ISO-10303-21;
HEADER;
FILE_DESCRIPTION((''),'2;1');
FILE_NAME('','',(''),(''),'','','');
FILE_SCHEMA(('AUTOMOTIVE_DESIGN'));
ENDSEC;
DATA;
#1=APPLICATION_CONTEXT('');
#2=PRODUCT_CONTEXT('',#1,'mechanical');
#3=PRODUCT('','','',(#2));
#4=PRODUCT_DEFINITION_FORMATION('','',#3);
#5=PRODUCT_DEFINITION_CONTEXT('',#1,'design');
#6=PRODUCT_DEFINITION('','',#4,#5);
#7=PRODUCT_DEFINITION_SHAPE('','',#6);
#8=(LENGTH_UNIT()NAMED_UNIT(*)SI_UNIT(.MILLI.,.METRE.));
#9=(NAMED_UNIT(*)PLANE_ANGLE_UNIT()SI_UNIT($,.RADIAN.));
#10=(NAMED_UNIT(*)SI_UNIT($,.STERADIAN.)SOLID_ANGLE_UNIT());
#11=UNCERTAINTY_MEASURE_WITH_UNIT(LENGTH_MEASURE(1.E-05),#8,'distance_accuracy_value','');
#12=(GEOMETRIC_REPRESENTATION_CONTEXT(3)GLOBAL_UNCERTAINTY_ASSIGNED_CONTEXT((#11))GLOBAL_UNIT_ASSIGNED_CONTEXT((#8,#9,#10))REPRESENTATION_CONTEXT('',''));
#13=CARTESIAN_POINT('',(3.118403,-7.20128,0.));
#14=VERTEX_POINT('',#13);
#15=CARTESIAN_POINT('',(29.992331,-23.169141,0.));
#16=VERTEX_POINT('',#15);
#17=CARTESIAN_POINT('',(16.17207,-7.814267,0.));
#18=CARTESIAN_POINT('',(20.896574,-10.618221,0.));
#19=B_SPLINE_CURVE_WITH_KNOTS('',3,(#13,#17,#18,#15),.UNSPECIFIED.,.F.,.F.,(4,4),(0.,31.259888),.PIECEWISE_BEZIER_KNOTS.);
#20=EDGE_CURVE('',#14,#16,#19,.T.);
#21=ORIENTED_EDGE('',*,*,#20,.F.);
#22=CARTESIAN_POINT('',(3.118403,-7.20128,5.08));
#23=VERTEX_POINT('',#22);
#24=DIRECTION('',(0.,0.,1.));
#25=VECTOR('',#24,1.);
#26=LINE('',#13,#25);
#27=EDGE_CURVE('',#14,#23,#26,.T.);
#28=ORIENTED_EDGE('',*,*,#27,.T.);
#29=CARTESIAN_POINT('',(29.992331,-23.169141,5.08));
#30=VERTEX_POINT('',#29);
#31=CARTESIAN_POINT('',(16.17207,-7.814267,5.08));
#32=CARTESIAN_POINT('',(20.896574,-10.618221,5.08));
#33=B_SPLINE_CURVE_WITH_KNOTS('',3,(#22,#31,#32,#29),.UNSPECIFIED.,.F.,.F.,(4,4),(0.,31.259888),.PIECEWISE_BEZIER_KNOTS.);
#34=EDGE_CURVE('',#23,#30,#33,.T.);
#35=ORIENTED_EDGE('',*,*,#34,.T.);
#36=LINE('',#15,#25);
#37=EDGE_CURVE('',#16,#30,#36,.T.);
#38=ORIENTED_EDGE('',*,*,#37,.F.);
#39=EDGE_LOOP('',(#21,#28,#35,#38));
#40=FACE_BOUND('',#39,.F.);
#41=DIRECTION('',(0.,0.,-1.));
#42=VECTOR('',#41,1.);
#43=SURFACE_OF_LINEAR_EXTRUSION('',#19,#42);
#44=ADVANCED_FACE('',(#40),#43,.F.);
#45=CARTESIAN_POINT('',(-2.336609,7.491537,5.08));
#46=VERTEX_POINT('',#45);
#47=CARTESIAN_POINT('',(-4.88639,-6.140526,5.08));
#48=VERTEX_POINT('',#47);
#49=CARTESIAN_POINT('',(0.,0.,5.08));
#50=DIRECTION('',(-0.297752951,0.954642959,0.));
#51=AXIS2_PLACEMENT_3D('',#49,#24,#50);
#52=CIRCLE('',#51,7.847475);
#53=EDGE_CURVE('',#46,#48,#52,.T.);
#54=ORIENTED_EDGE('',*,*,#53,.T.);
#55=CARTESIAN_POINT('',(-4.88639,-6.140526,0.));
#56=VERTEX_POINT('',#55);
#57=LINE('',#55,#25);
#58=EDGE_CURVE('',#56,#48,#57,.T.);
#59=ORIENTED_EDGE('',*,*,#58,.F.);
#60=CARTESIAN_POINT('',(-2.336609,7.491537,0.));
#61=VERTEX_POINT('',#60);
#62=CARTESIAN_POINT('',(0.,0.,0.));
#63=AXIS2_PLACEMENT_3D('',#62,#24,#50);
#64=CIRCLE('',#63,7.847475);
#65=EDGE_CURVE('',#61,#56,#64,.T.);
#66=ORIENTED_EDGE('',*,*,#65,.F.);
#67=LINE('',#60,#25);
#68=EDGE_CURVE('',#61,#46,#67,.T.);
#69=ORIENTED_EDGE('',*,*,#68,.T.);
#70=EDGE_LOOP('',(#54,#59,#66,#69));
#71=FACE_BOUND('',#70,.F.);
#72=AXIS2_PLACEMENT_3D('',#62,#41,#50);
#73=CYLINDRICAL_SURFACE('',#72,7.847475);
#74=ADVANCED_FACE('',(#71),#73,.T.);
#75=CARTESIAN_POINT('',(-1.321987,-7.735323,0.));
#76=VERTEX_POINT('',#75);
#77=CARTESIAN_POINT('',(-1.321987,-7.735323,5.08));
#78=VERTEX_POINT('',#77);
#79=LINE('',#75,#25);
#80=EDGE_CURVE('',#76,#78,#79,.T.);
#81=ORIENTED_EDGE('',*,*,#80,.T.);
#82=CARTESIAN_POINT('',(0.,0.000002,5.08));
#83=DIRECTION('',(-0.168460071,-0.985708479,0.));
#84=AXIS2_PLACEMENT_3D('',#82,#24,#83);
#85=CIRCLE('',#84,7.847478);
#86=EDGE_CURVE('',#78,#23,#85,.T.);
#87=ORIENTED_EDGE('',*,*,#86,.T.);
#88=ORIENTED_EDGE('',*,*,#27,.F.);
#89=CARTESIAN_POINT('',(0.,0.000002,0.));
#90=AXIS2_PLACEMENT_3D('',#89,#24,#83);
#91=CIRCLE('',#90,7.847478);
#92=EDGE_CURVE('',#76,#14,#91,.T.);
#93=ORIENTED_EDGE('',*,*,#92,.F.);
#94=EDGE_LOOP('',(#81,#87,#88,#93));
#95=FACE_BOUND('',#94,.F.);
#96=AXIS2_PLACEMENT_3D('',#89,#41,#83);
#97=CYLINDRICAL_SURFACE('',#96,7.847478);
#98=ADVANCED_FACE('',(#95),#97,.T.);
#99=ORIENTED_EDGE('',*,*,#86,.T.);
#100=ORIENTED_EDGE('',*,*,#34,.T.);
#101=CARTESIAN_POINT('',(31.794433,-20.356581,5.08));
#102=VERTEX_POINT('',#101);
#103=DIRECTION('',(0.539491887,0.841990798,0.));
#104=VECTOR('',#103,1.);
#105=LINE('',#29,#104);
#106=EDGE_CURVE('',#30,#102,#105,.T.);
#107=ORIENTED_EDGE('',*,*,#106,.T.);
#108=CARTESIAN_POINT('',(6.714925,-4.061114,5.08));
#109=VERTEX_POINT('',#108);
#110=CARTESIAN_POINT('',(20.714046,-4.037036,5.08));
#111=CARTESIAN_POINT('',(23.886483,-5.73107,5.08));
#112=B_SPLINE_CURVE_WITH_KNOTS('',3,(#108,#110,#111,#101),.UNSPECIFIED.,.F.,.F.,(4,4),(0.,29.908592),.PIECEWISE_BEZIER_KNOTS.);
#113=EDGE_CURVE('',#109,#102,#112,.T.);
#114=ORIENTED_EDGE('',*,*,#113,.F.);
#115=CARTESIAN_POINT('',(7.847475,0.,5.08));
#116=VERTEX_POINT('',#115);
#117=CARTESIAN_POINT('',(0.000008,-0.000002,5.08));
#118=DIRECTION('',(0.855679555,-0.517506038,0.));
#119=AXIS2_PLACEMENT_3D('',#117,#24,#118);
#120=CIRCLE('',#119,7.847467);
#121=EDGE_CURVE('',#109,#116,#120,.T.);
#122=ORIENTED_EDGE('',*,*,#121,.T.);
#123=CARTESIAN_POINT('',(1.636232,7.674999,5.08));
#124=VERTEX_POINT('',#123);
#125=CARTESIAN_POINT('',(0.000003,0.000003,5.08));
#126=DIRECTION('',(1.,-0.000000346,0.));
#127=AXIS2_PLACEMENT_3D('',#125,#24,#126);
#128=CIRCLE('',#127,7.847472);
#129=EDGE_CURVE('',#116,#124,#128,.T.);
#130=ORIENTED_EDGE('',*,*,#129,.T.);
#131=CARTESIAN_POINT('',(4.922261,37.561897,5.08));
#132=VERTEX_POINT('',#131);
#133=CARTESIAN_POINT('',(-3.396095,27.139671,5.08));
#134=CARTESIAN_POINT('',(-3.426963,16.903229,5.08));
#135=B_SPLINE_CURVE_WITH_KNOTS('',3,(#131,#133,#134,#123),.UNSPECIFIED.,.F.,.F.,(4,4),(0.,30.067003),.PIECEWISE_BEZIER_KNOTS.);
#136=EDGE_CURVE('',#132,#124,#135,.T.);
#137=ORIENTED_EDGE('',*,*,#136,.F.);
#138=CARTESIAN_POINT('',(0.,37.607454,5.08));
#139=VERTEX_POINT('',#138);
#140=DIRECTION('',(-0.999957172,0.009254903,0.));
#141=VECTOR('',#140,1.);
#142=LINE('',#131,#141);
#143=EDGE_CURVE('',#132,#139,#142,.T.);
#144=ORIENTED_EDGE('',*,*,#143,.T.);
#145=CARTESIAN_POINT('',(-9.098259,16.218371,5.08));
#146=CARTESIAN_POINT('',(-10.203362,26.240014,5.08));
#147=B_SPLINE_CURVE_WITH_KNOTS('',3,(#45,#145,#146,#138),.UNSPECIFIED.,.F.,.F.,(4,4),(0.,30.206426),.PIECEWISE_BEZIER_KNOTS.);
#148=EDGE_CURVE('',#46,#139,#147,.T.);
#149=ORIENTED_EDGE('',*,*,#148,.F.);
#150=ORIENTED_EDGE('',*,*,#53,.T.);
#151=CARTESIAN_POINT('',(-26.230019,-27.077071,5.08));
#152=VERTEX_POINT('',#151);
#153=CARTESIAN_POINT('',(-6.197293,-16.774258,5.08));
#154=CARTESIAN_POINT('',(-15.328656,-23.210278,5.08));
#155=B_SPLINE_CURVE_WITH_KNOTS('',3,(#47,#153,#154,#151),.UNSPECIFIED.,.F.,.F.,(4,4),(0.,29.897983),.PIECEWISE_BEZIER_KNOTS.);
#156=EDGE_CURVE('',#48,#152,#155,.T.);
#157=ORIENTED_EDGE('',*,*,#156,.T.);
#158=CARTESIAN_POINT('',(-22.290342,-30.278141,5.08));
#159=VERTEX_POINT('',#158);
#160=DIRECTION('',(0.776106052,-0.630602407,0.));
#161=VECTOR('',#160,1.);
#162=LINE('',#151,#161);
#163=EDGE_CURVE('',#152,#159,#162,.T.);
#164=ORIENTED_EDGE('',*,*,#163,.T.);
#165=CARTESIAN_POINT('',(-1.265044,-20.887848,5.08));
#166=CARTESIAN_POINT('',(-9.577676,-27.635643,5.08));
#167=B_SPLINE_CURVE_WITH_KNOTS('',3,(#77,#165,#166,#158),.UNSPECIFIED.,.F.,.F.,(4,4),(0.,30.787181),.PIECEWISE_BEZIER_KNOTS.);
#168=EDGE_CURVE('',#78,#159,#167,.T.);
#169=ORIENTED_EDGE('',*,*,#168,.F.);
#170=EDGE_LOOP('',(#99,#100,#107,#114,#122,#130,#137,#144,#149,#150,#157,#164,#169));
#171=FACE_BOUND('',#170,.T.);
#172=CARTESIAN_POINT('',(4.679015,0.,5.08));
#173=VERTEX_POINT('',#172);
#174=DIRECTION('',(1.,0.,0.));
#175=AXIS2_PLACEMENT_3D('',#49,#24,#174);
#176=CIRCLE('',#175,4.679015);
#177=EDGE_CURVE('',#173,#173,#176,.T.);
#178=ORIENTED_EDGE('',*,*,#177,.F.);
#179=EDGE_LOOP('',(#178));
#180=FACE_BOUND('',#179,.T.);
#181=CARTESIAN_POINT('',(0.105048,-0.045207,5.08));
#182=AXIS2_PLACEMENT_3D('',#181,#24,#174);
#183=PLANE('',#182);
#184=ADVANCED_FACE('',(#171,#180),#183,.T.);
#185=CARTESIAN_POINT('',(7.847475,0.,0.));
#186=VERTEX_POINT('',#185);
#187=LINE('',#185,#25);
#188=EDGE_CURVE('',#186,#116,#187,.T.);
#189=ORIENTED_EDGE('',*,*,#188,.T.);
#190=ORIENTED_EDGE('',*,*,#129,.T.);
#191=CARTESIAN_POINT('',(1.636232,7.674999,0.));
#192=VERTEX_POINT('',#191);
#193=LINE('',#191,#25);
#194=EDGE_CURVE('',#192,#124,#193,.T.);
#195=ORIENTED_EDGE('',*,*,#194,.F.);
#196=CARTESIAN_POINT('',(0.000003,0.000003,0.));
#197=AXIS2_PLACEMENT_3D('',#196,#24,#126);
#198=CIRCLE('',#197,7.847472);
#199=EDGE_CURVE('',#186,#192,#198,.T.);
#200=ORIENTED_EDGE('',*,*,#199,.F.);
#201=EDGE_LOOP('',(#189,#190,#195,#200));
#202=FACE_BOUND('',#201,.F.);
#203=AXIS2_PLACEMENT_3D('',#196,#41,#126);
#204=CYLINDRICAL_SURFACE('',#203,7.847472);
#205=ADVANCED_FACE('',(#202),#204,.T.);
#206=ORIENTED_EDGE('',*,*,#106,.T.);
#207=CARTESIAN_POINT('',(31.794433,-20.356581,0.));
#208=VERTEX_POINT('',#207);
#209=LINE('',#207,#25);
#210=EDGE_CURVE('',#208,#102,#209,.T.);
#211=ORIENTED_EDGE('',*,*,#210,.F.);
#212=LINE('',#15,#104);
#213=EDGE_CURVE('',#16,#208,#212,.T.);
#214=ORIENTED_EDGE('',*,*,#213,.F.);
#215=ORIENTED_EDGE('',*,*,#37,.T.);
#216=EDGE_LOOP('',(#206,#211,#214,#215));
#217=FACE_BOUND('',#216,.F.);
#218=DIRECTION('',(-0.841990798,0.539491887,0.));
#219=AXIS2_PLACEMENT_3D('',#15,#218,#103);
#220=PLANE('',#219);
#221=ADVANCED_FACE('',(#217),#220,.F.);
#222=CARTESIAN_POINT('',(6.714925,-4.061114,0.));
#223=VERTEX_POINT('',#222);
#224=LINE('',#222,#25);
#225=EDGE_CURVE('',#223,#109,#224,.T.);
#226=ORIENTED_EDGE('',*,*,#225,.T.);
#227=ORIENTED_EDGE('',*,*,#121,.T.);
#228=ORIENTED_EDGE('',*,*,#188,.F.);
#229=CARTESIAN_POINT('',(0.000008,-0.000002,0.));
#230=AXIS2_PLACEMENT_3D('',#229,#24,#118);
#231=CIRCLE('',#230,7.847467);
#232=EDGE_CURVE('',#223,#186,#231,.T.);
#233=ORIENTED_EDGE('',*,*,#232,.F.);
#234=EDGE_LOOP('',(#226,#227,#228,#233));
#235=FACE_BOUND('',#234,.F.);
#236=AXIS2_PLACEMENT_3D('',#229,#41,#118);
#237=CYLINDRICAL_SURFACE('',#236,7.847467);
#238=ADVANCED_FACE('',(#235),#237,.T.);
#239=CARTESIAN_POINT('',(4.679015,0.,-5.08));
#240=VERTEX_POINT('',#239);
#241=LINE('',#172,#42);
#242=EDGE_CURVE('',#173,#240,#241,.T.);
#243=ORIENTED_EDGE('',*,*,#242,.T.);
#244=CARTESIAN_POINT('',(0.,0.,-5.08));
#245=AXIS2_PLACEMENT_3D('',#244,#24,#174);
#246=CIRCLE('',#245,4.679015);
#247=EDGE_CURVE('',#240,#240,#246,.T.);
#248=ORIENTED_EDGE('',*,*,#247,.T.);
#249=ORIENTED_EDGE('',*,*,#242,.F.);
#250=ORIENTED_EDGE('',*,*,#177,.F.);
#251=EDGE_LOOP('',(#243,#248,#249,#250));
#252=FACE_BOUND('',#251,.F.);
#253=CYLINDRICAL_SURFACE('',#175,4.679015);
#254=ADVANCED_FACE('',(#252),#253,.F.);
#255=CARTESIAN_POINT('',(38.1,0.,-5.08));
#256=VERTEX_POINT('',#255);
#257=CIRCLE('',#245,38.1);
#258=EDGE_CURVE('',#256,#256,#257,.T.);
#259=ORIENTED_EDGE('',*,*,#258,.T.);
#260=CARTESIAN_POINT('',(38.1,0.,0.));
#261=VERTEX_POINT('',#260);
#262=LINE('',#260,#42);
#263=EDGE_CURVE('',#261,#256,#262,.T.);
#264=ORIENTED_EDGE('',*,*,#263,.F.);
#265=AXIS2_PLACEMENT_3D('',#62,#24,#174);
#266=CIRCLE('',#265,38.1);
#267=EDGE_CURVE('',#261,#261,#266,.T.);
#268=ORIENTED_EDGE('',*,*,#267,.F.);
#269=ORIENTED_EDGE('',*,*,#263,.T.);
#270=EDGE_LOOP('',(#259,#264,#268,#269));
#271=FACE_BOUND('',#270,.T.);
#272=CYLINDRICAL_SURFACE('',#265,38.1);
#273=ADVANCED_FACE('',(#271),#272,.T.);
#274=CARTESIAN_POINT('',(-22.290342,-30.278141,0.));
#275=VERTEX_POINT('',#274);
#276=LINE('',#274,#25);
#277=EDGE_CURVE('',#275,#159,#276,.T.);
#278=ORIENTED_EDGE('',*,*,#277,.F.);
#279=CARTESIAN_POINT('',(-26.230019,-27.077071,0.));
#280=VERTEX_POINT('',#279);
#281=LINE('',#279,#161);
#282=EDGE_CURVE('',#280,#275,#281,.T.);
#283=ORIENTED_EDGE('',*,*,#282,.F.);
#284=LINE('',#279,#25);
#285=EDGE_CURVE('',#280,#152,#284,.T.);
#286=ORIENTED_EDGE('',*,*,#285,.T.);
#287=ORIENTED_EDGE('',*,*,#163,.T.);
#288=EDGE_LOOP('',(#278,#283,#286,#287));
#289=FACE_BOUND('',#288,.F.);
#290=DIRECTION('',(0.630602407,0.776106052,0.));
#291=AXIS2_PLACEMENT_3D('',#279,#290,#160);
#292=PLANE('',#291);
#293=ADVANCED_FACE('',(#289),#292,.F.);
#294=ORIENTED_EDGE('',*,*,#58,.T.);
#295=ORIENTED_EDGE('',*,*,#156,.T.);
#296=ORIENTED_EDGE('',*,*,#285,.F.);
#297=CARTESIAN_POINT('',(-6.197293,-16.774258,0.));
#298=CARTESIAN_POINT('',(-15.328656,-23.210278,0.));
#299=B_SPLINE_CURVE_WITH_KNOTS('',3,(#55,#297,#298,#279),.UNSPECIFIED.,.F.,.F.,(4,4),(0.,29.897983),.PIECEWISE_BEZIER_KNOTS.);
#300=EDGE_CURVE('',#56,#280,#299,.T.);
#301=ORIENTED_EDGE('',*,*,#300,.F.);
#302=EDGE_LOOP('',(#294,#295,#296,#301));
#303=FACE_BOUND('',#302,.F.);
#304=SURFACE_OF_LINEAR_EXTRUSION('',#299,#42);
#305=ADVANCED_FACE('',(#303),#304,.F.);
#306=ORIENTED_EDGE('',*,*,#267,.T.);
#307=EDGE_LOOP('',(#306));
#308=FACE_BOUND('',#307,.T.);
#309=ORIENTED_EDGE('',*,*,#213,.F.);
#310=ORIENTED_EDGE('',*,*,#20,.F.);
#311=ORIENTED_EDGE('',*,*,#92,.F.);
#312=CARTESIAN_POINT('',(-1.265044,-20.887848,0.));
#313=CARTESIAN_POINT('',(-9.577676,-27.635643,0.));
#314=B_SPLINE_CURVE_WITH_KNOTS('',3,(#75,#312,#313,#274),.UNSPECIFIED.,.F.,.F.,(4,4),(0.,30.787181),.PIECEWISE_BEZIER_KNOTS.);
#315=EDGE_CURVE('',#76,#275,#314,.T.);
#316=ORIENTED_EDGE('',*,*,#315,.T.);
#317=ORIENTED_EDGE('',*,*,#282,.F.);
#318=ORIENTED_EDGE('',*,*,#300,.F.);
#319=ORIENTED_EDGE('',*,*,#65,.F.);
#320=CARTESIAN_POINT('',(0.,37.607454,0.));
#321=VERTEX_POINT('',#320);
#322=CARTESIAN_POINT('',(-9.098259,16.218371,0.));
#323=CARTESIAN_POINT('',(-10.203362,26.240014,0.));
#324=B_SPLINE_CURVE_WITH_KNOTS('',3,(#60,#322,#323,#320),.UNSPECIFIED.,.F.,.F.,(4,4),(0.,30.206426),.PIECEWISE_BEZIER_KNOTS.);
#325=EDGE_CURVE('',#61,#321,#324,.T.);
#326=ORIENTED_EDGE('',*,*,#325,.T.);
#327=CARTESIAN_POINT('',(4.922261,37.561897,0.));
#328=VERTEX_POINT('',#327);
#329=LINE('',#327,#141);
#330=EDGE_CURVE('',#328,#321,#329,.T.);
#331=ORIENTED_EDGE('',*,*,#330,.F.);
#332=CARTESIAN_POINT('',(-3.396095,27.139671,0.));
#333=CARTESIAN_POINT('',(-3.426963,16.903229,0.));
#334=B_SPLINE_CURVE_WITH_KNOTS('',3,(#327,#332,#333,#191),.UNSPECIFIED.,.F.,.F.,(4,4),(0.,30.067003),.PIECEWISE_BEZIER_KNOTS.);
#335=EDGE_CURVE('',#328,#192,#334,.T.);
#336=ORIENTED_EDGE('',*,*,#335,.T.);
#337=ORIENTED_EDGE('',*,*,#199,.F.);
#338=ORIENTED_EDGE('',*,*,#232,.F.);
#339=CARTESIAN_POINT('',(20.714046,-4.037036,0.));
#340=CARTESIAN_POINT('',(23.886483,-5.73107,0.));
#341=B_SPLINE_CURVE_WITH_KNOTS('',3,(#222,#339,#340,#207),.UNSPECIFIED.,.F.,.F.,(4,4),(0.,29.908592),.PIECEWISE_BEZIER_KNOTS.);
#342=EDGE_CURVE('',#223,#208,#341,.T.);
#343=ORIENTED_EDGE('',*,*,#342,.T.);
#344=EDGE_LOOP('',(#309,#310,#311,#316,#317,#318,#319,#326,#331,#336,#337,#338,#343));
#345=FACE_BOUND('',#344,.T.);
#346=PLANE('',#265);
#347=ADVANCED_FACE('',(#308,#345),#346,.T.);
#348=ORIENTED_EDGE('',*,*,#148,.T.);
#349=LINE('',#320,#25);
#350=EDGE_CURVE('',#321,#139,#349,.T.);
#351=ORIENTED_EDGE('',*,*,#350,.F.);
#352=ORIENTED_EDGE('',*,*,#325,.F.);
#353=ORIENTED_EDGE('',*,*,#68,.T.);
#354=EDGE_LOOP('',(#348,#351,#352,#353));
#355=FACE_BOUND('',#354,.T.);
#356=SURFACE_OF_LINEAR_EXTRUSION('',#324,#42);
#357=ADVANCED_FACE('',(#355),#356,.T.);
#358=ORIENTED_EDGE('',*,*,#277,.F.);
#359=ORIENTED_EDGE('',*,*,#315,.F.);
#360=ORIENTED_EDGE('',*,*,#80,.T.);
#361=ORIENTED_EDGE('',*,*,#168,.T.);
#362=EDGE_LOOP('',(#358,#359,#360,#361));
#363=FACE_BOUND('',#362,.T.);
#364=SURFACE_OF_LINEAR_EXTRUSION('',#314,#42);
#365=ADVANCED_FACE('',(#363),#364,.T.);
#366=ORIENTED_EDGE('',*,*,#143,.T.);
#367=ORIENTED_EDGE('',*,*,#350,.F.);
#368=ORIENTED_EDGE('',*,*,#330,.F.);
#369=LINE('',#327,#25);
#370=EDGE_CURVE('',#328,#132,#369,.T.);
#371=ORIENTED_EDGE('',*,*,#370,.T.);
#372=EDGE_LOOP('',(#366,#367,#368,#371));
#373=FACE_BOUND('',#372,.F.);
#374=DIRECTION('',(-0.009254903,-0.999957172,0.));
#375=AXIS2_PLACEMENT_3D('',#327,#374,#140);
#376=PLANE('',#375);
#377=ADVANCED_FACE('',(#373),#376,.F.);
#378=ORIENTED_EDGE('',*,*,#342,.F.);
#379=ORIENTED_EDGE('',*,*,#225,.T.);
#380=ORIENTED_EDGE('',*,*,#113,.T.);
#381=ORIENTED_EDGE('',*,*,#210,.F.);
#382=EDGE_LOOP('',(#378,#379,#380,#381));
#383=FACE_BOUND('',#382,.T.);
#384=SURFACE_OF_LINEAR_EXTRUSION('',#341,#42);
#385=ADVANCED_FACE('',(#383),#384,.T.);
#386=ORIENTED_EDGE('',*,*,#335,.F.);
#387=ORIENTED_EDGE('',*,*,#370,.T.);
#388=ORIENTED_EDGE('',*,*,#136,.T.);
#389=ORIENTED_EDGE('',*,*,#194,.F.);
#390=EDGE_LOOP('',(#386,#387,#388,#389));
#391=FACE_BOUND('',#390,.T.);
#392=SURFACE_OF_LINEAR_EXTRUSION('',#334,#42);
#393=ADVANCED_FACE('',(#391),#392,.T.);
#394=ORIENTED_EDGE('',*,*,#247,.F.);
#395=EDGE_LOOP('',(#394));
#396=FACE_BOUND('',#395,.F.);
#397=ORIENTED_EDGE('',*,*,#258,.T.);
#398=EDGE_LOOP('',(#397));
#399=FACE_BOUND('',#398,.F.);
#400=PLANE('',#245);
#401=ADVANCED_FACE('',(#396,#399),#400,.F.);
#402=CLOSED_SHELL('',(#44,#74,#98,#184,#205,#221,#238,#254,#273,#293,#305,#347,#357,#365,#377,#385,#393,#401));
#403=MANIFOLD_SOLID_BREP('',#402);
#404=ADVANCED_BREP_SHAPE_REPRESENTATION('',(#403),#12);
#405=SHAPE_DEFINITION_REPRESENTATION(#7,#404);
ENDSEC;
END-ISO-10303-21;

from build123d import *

# Parameters (mm, degrees)
F0_R     = 38.1
F1_DEPTH = 5.08
F3_DEPTH = 5.08
F4_R     = 4.679015
F5_DEPTH = 25.4


with BuildPart() as f1:
    # F0 (on Top) → F1 (new body)
    with BuildSketch(Plane.XY):
        Circle(F0_R)
    extrude(amount=-F1_DEPTH)

    # F2 (on Top) → F3 (join)
    with BuildSketch(Plane.XY):
        with BuildLine():
            ThreePointArc((6.714925, -4.061114), (7.559037, -2.108039), (7.847475, 0))
            ThreePointArc((7.847475, 0), (6.10013, 4.936729), (1.636232, 7.674999))
            ThreePointArc((1.636232, 7.674999), (-0.362003, 7.839121), (-2.336609, 7.491537))
            ThreePointArc((-2.336609, 7.491537), (-7.713703, 1.442794), (-4.88639, -6.140526))
            ThreePointArc((-4.88639, -6.140526), (-3.20497, -7.163173), (-1.321987, -7.735323))
            ThreePointArc((-1.321987, -7.735323), (0.937058, -7.791328), (3.118403, -7.20128))
            ThreePointArc((3.118403, -7.20128), (5.161274, -5.911356), (6.714925, -4.061114))
        make_face()
        with BuildLine():
            ThreePointArc((-2.336609, 7.491537), (-0.362003, 7.839121), (1.636232, 7.674999))
            add(Edge.make_bspline(
                [(4.922261, 37.561897), (-3.396095, 27.139671), (-3.426963, 16.903229), (1.636232, 7.674999)],
                knots=[0, 0, 0, 0, 30.067003, 30.067003, 30.067003, 30.067003], degree=3))
            Line((4.922261, 37.561897), (0, 37.607454))
            add(Edge.make_bspline(
                [(-2.336609, 7.491537), (-9.098259, 16.218371), (-10.203362, 26.240014), (0, 37.607454)],
                knots=[0, 0, 0, 0, 30.206426, 30.206426, 30.206426, 30.206426], degree=3))
        make_face()
        with BuildLine():
            add(Edge.make_bspline(
                [(6.714925, -4.061114), (20.714046, -4.037036), (23.886483, -5.73107), (31.794433, -20.356581)],
                knots=[0, 0, 0, 0, 29.908592, 29.908592, 29.908592, 29.908592], degree=3))
            ThreePointArc((6.714925, -4.061114), (5.161274, -5.911356), (3.118403, -7.20128))
            add(Edge.make_bspline(
                [(3.118403, -7.20128), (16.17207, -7.814267), (20.896574, -10.618221), (29.992331, -23.169141)],
                knots=[0, 0, 0, 0, 31.259888, 31.259888, 31.259888, 31.259888], degree=3))
            Line((29.992331, -23.169141), (31.794433, -20.356581))
        make_face()
        with BuildLine():
            ThreePointArc((-1.321987, -7.735323), (-3.20497, -7.163173), (-4.88639, -6.140526))
            add(Edge.make_bspline(
                [(-4.88639, -6.140526), (-6.197293, -16.774258), (-15.328656, -23.210278), (-26.230019, -27.077071)],
                knots=[0, 0, 0, 0, 29.897983, 29.897983, 29.897983, 29.897983], degree=3))
            Line((-26.230019, -27.077071), (-22.290342, -30.278141))
            add(Edge.make_bspline(
                [(-1.321987, -7.735323), (-1.265044, -20.887848), (-9.577676, -27.635643), (-22.290342, -30.278141)],
                knots=[0, 0, 0, 0, 30.787181, 30.787181, 30.787181, 30.787181], degree=3))
        make_face()
    extrude(amount=F3_DEPTH)

    # F4 (on face) → F5 (cut)
    with BuildSketch(Plane.XY.offset(5.08)):
        Circle(F4_R)
    extrude(amount=-F5_DEPTH, mode=Mode.SUBTRACT)


solid = f1.part
